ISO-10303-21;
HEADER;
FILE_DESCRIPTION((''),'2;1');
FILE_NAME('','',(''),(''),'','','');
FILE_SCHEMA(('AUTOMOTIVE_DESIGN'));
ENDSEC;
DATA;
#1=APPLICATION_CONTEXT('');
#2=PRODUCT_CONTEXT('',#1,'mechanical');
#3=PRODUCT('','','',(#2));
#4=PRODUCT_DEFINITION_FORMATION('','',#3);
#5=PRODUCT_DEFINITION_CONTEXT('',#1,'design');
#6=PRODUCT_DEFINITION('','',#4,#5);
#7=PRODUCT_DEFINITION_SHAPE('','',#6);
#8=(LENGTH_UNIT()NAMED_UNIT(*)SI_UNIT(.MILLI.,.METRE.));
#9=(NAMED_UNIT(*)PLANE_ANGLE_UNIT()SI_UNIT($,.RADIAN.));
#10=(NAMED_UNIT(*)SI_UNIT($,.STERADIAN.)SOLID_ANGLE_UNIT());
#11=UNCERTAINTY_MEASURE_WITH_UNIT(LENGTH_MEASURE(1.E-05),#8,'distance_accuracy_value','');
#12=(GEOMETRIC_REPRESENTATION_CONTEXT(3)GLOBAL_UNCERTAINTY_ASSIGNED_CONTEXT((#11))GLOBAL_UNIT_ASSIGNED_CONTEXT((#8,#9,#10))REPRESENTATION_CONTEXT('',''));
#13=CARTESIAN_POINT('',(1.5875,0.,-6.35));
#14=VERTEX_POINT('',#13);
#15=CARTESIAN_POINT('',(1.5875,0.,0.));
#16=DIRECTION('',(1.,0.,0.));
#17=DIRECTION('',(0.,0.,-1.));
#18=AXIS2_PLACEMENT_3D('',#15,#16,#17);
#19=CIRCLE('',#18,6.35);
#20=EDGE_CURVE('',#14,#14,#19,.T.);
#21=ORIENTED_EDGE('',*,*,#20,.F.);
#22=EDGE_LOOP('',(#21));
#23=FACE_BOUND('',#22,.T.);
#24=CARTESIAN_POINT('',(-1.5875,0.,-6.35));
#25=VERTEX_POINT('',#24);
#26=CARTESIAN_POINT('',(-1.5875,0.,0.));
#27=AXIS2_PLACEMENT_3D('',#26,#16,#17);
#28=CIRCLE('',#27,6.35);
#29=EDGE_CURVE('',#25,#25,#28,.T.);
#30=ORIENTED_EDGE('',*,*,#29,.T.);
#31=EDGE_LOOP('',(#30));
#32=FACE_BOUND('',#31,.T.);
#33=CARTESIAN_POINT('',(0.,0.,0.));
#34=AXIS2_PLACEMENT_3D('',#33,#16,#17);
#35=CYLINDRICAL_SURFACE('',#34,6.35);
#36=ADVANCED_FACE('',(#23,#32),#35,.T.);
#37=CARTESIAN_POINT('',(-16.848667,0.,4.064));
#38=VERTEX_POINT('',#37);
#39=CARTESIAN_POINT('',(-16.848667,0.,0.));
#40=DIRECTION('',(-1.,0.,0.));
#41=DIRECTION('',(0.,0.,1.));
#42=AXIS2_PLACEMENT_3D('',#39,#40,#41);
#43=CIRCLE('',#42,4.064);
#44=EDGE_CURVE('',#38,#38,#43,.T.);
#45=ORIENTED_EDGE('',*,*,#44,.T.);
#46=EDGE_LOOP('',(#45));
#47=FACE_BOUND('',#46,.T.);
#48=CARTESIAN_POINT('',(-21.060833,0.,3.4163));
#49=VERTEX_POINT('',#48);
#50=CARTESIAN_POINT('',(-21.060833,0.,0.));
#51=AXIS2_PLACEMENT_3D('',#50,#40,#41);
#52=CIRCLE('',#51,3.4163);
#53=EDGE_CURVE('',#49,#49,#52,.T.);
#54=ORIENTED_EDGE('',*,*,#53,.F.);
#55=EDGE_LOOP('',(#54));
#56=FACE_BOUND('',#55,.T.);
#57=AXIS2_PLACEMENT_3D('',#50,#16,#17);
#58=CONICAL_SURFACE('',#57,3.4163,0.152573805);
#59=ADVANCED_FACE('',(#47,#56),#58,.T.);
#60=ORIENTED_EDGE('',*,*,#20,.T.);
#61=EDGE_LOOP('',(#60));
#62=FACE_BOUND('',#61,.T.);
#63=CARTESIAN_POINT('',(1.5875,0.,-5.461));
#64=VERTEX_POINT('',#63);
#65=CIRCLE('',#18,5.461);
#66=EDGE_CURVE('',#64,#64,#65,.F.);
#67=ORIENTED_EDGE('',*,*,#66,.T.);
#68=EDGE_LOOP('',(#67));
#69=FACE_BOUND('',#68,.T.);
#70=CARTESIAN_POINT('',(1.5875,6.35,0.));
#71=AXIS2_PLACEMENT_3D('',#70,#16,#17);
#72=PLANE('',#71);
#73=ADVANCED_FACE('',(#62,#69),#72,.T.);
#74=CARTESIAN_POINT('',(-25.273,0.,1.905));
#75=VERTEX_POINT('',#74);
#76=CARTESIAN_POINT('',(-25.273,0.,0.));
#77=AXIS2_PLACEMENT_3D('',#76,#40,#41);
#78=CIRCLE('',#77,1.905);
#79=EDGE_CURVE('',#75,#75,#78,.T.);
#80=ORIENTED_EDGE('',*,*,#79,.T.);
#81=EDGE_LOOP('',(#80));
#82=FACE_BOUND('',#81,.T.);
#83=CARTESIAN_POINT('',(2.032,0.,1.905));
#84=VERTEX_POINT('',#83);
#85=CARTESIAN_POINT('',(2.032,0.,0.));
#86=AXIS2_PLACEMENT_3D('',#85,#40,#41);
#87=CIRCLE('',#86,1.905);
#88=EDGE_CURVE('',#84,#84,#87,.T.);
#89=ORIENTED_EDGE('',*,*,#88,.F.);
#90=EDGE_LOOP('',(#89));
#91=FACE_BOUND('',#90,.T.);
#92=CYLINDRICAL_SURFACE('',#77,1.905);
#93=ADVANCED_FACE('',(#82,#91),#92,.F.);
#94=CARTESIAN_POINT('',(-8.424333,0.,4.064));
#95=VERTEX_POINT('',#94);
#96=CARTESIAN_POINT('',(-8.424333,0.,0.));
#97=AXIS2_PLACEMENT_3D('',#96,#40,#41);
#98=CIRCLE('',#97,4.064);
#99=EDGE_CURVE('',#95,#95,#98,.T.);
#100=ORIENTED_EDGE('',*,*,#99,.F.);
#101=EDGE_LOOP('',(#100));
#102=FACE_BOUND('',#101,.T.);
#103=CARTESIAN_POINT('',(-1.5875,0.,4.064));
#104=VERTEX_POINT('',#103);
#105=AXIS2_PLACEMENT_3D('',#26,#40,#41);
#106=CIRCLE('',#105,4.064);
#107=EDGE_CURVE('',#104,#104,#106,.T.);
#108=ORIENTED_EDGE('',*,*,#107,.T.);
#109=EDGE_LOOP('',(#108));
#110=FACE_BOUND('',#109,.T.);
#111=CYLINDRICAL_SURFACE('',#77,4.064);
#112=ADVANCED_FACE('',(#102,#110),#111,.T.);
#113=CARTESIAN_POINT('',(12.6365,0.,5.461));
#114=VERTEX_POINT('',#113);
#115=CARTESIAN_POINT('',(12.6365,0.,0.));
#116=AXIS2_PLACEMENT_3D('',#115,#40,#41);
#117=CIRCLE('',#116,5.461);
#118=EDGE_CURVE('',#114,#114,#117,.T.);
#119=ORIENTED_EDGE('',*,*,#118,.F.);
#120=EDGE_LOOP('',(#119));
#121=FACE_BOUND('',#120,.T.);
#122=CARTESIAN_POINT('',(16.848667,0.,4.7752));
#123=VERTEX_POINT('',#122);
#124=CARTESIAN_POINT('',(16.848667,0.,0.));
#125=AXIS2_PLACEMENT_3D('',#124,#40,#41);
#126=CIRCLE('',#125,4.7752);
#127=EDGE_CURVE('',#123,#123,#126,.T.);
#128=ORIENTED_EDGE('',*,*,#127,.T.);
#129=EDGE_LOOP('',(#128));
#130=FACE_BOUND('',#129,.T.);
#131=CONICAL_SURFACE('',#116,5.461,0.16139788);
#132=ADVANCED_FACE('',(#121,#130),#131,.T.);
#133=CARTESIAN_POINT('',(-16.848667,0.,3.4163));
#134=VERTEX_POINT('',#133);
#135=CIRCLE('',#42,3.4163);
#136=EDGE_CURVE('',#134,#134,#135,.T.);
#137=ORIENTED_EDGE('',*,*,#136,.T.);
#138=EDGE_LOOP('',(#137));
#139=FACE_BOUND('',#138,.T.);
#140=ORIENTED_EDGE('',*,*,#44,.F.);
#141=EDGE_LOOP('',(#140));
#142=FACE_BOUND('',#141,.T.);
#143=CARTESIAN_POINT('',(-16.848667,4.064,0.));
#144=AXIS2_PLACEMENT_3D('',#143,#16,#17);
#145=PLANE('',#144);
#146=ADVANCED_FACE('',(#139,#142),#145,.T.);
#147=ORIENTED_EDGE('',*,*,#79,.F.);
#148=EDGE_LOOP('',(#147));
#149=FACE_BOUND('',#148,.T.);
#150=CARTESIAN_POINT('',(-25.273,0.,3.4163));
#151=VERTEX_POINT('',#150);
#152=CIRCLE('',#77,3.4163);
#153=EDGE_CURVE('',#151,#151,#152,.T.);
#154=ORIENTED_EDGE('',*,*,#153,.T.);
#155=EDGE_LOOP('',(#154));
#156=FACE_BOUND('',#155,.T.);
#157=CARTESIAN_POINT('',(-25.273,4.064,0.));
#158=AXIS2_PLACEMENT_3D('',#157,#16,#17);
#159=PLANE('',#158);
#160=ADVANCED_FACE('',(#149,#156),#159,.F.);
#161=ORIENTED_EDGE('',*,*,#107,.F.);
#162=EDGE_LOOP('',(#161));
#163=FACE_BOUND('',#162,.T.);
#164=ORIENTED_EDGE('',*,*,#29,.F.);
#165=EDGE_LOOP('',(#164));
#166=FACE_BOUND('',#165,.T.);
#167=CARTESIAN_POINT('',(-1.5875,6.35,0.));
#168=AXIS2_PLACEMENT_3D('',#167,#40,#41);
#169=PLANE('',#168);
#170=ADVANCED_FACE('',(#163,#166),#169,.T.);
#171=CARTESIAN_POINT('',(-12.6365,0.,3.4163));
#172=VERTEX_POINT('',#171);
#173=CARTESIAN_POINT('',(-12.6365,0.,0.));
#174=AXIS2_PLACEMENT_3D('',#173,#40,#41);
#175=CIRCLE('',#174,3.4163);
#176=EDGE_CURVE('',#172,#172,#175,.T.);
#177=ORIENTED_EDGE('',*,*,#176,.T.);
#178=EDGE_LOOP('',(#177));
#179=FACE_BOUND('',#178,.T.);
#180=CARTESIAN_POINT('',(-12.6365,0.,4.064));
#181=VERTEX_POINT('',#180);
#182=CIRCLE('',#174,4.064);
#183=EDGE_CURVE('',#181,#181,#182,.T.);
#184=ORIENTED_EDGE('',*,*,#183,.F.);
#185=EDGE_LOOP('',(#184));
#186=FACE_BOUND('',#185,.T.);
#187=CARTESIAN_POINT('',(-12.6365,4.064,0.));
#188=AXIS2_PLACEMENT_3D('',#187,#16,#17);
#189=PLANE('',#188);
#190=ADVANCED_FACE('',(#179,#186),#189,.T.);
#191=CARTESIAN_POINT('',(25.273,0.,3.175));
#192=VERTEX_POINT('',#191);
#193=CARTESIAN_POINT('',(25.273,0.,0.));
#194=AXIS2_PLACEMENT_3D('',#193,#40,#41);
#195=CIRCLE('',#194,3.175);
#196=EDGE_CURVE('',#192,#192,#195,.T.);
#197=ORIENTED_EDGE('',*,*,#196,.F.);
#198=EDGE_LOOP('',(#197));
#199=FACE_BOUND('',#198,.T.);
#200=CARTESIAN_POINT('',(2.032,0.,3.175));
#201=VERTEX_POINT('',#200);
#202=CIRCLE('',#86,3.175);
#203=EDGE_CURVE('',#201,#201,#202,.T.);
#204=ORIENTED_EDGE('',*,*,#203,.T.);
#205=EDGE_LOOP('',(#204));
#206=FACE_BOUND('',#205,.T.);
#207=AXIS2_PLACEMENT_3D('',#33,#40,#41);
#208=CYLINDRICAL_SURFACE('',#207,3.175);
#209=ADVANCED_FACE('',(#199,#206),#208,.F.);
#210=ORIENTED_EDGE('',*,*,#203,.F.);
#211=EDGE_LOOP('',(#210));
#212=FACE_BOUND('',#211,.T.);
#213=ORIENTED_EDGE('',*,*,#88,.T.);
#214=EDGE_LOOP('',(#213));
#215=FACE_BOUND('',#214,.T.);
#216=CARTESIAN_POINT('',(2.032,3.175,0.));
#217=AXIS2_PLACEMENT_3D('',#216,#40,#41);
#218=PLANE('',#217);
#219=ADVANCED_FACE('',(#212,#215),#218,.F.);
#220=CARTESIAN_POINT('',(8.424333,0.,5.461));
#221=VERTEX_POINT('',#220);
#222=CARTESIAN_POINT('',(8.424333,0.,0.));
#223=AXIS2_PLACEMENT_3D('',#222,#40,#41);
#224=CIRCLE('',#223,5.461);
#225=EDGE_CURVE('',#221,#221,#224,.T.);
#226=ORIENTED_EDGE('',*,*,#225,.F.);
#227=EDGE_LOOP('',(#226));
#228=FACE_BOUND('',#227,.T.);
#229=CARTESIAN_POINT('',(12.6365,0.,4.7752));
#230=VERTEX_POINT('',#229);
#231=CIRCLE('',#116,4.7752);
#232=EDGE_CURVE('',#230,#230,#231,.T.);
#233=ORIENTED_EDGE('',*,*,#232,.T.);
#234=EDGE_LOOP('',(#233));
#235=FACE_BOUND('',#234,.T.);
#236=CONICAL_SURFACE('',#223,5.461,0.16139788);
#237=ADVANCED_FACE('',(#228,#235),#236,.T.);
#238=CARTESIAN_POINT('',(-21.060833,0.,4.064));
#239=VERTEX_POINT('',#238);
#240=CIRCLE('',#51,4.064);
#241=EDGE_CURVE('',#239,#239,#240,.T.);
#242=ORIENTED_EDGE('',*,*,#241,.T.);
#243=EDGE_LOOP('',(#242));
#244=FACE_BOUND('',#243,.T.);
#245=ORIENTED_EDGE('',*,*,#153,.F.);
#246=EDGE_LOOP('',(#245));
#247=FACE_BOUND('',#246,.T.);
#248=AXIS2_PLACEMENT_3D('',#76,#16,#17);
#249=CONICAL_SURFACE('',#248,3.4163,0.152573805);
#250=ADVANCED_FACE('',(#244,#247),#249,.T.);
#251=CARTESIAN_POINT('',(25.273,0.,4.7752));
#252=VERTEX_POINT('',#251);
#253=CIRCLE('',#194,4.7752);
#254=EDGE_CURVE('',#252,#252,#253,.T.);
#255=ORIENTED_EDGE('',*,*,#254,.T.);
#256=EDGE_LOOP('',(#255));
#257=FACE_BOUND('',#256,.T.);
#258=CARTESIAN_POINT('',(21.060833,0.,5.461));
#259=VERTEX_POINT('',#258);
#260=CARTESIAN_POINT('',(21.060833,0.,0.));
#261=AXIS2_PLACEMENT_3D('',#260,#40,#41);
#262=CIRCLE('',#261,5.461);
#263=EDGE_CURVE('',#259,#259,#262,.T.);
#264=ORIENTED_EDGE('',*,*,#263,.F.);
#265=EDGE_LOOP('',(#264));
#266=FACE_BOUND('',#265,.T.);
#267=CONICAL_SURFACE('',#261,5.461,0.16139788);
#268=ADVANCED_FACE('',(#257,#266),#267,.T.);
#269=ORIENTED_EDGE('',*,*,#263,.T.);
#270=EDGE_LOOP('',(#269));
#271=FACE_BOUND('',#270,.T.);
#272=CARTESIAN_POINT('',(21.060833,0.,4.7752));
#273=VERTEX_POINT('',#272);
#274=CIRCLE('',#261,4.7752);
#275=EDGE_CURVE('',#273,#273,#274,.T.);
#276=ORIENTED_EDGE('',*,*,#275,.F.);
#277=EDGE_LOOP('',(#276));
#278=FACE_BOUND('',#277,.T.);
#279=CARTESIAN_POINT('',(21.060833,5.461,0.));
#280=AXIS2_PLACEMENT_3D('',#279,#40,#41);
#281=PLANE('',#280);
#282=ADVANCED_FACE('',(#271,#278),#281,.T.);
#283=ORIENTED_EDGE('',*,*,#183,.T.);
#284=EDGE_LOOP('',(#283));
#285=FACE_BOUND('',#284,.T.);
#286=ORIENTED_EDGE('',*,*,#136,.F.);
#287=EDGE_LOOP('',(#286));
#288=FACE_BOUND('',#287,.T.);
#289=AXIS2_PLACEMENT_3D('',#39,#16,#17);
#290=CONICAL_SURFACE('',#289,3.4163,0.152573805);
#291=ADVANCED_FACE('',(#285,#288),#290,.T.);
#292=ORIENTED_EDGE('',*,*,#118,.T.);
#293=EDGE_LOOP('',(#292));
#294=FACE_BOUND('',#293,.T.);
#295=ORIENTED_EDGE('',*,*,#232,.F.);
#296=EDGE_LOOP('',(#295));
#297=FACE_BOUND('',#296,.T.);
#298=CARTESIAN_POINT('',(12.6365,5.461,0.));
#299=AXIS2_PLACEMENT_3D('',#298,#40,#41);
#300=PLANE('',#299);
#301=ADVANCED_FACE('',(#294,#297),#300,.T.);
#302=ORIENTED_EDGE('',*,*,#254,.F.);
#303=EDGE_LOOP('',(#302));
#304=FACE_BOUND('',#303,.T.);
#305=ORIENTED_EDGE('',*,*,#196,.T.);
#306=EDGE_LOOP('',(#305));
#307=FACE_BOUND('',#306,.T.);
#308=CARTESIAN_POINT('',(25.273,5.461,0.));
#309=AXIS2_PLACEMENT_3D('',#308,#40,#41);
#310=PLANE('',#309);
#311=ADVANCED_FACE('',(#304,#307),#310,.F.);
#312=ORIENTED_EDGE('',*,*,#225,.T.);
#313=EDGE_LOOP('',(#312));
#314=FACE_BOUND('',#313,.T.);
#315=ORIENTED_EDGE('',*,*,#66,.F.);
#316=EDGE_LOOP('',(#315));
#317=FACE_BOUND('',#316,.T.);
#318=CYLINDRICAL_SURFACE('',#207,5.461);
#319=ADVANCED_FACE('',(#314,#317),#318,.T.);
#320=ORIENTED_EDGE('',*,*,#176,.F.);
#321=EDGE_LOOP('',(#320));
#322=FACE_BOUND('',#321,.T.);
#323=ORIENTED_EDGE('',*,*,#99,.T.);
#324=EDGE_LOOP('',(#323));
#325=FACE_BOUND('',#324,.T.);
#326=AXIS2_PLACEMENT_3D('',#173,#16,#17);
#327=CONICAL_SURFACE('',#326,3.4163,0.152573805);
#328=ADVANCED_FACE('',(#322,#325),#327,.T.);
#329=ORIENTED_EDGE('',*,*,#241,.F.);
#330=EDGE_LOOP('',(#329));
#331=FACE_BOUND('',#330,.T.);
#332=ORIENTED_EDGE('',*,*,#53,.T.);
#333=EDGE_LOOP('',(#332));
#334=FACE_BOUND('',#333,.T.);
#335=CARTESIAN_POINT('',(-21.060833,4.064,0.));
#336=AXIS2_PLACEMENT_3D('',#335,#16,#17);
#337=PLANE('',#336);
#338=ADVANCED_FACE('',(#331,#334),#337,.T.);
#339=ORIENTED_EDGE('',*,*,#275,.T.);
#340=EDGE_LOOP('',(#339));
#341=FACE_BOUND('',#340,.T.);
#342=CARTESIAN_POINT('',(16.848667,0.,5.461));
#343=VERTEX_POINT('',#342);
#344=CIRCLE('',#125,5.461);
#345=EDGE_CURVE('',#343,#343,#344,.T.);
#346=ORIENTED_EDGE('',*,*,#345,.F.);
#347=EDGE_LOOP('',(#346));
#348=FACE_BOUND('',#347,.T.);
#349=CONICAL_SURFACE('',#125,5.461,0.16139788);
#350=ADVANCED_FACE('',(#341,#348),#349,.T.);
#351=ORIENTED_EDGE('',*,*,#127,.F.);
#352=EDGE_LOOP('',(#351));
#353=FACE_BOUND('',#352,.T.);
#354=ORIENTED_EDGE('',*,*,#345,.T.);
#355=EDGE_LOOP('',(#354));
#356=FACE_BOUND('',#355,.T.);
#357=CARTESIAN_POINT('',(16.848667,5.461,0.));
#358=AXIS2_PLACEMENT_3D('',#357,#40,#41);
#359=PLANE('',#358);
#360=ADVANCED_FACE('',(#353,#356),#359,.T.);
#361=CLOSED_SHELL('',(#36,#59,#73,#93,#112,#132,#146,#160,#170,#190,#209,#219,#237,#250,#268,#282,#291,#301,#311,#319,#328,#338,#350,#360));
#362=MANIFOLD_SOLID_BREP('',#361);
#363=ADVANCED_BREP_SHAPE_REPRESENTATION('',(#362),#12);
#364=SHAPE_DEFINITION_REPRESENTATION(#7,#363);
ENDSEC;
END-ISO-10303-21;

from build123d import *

# Parameters (mm, degrees)
SKETCH1_W       = 25.273
SKETCH1_H       = 2.159
SKETCH2_W       = 3.175
SKETCH2_H       = 4.445
LPATTERN1_COUNT = 4
LPATTERN1_PITCH = 4.212166667
SKETCH4_W       = 25.273
SKETCH4_H       = 2.286
LPATTERN2_COUNT = 4
LPATTERN2_PITCH = 4.212166667
SKETCH6_W       = 2.032
SKETCH6_H       = 1.27


with BuildPart() as part:
    # Sketch1 → Revolve1 (revolve)
    with BuildSketch(Plane.XY, mode=Mode.PRIVATE) as revolve1_sk:
        with Locations((-12.6365, 2.9845)):
            Rectangle(SKETCH1_W, SKETCH1_H)
    revolve(revolve1_sk.sketch.rotate(Axis((-25.273, 0, 0), (1, 0, 0)), 90), axis=Axis((-25.273, 0, 0), (1, 0, 0)))

    # Sketch2 → Revolve2 (revolve)
    with BuildSketch(Plane.XY, mode=Mode.PRIVATE) as revolve2_sk:
        with Locations((0, 4.1275)):
            Rectangle(SKETCH2_W, SKETCH2_H)
    revolve(revolve2_sk.sketch.rotate(Axis((0, 0, 0), (-1, 0, 0)), 270), axis=Axis((0, 0, 0), (-1, 0, 0)))

    # Sketch3 → Cut-Revolve1 (revolve, cut)
    with BuildSketch(Plane.XY, mode=Mode.PRIVATE) as cut_revolve1_sk:
        Polygon((-25.273, 4.064), (-25.273, 3.4163), (-21.060833333, 4.064), align=None)
    cut_revolve1 = revolve(cut_revolve1_sk.sketch.rotate(Axis((-25.273, 0, 0), (1, 0, 0)), 90), axis=Axis((-25.273, 0, 0), (1, 0, 0)), mode=Mode.SUBTRACT)

    # LPattern1: Cut-Revolve1 ×4
    with Locations(*[(i * LPATTERN1_PITCH, 0, 0) for i in range(1, LPATTERN1_COUNT)]):
        add(cut_revolve1, mode=Mode.SUBTRACT)



with BuildPart() as body_2:
    # Sketch4 → Revolve3 (revolve)
    with BuildSketch(Plane.XY, mode=Mode.PRIVATE) as revolve3_sk:
        with Locations((12.6365, 4.318)):
            Rectangle(SKETCH4_W, SKETCH4_H)
    revolve(revolve3_sk.sketch.rotate(Axis((0, 0, 0), (1, 0, 0)), 90), axis=Axis((0, 0, 0), (1, 0, 0)))

    # Sketch5 → Cut-Revolve2 (revolve, cut)
    with BuildSketch(Plane.XY, mode=Mode.PRIVATE) as cut_revolve2_sk:
        Polygon((25.273, 5.461), (25.273, 4.7752), (21.060833333, 5.461), align=None)
    cut_revolve2 = revolve(cut_revolve2_sk.sketch.rotate(Axis((-25.273, 0, 0), (1, 0, 0)), 90), axis=Axis((-25.273, 0, 0), (1, 0, 0)), mode=Mode.SUBTRACT)

    # LPattern2: Cut-Revolve2 ×4
    with Locations(*[(-i * LPATTERN2_PITCH, 0, 0) for i in range(1, LPATTERN2_COUNT)]):
        add(cut_revolve2, mode=Mode.SUBTRACT)


with BuildPart() as part_1:
    add(part.part)

    add(body_2.part)  # Revolve4 merges body 2
    # Sketch6 → Revolve4 (revolve)
    with BuildSketch(Plane.XY, mode=Mode.PRIVATE) as revolve4_sk:
        with Locations((1.016, 2.54)):
            Rectangle(SKETCH6_W, SKETCH6_H)
    revolve(revolve4_sk.sketch.rotate(Axis((-25.273, 0, 0), (1, 0, 0)), 90), axis=Axis((-25.273, 0, 0), (1, 0, 0)))


solid = part_1.part
